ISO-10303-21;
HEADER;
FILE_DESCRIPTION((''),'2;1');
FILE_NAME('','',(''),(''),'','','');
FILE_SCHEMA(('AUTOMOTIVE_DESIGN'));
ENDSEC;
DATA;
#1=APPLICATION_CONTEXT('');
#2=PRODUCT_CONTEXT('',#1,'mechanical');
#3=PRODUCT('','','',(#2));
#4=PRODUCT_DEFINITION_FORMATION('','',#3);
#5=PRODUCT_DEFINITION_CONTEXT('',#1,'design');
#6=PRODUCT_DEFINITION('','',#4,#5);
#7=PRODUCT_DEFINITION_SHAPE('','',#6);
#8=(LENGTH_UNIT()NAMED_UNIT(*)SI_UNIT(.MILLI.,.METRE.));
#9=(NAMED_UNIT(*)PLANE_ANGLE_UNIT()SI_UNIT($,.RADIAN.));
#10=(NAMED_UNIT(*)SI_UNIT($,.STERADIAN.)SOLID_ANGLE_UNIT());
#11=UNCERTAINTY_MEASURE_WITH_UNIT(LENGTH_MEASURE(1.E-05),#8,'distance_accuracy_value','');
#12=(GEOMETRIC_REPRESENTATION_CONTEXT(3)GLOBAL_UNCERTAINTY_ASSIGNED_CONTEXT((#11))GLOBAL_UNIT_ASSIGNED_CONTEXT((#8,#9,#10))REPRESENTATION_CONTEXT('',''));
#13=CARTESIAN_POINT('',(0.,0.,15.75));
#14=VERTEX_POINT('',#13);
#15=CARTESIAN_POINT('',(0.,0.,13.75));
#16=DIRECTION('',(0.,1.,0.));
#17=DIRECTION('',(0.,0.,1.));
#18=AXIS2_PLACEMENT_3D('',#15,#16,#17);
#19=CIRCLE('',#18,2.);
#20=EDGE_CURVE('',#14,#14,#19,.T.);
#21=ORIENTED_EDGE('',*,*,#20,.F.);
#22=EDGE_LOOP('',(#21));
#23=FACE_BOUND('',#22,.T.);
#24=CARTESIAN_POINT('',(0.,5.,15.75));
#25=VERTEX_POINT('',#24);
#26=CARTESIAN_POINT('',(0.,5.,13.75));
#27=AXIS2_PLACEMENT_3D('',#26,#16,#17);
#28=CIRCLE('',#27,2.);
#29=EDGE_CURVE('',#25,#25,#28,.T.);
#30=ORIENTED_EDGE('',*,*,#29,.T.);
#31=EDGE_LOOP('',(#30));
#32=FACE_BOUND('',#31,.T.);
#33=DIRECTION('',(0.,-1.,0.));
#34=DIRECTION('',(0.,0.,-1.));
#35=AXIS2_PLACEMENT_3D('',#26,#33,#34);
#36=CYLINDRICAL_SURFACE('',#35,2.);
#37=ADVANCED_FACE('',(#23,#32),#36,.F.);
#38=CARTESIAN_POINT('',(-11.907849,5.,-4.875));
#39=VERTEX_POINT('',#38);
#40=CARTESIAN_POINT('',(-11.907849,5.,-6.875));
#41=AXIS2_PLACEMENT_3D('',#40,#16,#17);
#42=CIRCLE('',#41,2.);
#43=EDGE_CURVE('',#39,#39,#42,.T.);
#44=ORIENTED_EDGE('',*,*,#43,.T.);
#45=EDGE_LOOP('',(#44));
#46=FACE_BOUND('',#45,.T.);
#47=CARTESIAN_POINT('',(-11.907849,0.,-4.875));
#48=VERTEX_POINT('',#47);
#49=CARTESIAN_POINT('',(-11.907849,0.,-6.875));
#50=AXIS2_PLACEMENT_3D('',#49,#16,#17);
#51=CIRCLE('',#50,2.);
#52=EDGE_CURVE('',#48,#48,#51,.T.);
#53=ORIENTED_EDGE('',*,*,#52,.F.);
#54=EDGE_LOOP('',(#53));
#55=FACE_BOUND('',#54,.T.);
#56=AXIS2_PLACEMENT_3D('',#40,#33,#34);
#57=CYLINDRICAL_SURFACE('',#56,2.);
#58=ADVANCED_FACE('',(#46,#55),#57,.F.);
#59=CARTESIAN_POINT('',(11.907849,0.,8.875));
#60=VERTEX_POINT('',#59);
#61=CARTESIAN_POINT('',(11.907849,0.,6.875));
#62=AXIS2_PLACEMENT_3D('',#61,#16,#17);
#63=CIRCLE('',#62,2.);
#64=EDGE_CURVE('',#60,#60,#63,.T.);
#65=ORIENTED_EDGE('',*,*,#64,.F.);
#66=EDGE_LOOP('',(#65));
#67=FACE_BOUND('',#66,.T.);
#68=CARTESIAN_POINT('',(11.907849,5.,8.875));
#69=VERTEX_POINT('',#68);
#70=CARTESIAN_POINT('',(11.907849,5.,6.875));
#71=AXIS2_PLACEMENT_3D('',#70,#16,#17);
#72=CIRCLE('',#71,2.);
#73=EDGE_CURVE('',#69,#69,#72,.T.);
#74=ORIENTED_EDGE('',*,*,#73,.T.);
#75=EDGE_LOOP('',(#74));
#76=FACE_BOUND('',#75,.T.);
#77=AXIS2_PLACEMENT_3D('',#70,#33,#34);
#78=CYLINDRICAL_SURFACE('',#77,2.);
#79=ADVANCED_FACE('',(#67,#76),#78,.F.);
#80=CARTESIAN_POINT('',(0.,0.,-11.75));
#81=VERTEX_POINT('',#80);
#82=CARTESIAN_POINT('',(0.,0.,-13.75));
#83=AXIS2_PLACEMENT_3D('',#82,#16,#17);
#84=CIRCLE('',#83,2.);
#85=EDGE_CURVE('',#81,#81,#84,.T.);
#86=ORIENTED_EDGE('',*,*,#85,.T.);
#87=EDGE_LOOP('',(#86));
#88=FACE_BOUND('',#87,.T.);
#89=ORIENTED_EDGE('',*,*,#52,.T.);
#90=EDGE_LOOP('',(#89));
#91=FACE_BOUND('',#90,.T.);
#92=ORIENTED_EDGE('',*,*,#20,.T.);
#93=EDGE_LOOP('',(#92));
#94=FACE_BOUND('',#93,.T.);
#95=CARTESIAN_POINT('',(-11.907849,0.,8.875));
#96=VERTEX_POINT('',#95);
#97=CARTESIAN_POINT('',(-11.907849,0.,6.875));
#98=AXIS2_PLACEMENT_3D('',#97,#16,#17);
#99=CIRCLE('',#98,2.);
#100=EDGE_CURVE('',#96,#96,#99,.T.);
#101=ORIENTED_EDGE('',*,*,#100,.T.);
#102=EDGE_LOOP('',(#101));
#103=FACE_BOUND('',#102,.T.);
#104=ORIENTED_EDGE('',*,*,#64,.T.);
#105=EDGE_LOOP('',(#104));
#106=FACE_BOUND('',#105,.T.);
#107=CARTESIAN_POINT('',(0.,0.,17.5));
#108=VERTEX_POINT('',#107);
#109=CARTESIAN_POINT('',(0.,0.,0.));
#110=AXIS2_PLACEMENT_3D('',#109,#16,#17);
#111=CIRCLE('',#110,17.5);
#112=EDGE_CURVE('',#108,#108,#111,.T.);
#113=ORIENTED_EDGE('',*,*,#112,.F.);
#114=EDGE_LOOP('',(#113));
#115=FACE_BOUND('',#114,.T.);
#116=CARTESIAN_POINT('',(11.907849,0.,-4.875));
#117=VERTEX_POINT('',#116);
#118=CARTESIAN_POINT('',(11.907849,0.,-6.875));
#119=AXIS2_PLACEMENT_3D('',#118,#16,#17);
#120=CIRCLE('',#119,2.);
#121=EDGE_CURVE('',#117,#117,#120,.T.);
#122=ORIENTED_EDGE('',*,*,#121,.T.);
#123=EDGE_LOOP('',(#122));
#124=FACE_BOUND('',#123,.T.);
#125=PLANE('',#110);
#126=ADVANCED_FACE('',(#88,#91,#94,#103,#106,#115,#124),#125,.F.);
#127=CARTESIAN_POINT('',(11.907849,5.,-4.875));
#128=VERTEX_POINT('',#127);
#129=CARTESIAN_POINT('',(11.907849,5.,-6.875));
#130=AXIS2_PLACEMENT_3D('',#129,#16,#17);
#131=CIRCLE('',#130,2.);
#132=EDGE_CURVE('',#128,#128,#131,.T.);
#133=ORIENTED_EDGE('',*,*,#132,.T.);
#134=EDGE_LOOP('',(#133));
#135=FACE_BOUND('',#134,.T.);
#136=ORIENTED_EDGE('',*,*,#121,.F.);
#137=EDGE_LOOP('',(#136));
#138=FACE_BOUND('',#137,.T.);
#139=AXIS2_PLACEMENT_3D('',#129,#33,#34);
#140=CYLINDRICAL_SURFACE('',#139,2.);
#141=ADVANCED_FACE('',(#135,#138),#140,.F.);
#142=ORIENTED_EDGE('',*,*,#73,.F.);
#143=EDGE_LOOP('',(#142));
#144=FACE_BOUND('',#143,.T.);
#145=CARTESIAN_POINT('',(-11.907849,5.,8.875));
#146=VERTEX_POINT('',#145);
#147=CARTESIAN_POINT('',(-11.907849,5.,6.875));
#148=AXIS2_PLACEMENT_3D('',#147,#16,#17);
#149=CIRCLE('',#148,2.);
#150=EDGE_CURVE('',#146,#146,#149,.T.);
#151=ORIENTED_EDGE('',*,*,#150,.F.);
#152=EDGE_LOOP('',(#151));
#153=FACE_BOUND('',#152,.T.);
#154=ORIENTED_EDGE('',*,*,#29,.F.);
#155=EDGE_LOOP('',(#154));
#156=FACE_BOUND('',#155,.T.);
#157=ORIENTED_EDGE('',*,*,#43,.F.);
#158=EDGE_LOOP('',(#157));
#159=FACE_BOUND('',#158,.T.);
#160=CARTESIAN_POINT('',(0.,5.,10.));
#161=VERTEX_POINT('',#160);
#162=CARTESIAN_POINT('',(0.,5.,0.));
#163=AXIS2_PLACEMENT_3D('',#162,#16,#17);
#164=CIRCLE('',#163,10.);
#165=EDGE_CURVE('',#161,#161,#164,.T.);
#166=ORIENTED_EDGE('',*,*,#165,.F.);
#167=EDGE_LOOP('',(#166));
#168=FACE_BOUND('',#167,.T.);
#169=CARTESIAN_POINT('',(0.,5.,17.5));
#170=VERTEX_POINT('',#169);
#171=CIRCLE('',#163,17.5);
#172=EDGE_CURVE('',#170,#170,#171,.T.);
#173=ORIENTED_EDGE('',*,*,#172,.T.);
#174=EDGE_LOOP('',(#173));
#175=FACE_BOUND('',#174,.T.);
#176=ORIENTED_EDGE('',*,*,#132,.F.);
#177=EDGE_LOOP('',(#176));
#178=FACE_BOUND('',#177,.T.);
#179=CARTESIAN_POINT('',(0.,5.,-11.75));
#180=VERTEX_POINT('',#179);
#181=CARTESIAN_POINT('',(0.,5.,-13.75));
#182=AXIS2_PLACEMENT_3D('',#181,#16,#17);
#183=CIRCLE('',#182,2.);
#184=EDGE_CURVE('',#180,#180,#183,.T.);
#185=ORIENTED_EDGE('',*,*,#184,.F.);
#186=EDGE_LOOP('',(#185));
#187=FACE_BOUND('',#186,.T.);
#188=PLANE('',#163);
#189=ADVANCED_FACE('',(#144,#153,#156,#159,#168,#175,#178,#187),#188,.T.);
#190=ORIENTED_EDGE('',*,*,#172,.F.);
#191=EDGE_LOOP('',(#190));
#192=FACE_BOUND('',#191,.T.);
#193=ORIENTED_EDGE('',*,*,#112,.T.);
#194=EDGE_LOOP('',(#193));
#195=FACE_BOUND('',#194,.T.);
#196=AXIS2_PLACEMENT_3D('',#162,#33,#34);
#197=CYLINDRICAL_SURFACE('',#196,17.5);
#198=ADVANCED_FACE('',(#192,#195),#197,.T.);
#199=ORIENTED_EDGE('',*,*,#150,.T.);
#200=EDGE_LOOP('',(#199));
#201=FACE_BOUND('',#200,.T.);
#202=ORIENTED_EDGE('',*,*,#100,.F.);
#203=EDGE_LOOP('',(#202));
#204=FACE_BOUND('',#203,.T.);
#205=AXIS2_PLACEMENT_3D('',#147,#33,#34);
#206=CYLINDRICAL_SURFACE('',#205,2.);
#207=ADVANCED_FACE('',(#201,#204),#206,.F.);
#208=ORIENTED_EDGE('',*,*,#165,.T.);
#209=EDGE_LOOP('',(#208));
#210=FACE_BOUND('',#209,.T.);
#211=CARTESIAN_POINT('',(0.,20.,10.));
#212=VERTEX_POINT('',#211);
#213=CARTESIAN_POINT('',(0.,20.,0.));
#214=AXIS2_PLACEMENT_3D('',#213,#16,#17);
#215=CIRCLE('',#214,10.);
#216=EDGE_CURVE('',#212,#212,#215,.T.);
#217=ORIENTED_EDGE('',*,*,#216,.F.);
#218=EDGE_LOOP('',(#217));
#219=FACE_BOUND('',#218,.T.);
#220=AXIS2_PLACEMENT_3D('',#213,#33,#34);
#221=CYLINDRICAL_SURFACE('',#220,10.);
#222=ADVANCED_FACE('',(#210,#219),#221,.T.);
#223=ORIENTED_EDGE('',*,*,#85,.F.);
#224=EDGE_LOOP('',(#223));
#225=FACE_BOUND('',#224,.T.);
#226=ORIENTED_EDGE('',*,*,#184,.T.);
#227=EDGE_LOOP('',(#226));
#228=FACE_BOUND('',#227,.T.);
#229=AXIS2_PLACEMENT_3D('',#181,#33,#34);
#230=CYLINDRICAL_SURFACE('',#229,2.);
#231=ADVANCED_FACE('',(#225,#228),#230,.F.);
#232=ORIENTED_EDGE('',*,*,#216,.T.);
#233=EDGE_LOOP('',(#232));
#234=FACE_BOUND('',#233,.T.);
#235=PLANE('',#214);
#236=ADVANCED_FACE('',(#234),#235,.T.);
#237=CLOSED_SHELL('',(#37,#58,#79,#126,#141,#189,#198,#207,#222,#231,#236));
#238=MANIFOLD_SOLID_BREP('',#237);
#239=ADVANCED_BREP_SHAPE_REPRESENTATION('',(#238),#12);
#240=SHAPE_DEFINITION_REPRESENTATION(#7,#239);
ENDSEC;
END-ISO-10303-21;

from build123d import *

# Parameters (mm, degrees)
SKETCH2_R           = 17.5
SKETCH2_R_2         = 2
BOSS_EXTRUDE1_DEPTH = 5
SKETCH3_R           = 10
BOSS_EXTRUDE2_DEPTH = 15


with BuildPart() as part:
    # Sketch2 → Boss-Extrude1 (new body)
    with BuildSketch(Plane(origin=(0, 0, 0), x_dir=(1, 0, 0), z_dir=(0, 1, 0))):
        with Locations(Location((0, 0, 0), (0, 0, 270))):
            Circle(SKETCH2_R)
        with Locations(Location((0, 13.75, 0), (0, 0, 270))):
            Circle(SKETCH2_R_2, mode=Mode.SUBTRACT)
        with Locations(Location((11.907849302, 6.875, 0), (0, 0, 270))):
            Circle(SKETCH2_R_2, mode=Mode.SUBTRACT)
        with Locations(Location((11.907849302, -6.875, 0), (0, 0, 270))):
            Circle(SKETCH2_R_2, mode=Mode.SUBTRACT)
        with Locations(Location((0, -13.75, 0), (0, 0, 270))):
            Circle(SKETCH2_R_2, mode=Mode.SUBTRACT)
        with Locations(Location((-11.907849302, -6.875, 0), (0, 0, 270))):
            Circle(SKETCH2_R_2, mode=Mode.SUBTRACT)
        with Locations(Location((-11.907849302, 6.875, 0), (0, 0, 270))):
            Circle(SKETCH2_R_2, mode=Mode.SUBTRACT)
    extrude(amount=BOSS_EXTRUDE1_DEPTH)

    # Sketch3 → Boss-Extrude2 (add)
    with BuildSketch(Plane(origin=(0, 5, 0), x_dir=(1, 0, 0), z_dir=(0, 1, 0))):
        with Locations(Location((0, 0, 0), (0, 0, 270))):
            Circle(SKETCH3_R)
    extrude(amount=BOSS_EXTRUDE2_DEPTH)


solid = part.part
